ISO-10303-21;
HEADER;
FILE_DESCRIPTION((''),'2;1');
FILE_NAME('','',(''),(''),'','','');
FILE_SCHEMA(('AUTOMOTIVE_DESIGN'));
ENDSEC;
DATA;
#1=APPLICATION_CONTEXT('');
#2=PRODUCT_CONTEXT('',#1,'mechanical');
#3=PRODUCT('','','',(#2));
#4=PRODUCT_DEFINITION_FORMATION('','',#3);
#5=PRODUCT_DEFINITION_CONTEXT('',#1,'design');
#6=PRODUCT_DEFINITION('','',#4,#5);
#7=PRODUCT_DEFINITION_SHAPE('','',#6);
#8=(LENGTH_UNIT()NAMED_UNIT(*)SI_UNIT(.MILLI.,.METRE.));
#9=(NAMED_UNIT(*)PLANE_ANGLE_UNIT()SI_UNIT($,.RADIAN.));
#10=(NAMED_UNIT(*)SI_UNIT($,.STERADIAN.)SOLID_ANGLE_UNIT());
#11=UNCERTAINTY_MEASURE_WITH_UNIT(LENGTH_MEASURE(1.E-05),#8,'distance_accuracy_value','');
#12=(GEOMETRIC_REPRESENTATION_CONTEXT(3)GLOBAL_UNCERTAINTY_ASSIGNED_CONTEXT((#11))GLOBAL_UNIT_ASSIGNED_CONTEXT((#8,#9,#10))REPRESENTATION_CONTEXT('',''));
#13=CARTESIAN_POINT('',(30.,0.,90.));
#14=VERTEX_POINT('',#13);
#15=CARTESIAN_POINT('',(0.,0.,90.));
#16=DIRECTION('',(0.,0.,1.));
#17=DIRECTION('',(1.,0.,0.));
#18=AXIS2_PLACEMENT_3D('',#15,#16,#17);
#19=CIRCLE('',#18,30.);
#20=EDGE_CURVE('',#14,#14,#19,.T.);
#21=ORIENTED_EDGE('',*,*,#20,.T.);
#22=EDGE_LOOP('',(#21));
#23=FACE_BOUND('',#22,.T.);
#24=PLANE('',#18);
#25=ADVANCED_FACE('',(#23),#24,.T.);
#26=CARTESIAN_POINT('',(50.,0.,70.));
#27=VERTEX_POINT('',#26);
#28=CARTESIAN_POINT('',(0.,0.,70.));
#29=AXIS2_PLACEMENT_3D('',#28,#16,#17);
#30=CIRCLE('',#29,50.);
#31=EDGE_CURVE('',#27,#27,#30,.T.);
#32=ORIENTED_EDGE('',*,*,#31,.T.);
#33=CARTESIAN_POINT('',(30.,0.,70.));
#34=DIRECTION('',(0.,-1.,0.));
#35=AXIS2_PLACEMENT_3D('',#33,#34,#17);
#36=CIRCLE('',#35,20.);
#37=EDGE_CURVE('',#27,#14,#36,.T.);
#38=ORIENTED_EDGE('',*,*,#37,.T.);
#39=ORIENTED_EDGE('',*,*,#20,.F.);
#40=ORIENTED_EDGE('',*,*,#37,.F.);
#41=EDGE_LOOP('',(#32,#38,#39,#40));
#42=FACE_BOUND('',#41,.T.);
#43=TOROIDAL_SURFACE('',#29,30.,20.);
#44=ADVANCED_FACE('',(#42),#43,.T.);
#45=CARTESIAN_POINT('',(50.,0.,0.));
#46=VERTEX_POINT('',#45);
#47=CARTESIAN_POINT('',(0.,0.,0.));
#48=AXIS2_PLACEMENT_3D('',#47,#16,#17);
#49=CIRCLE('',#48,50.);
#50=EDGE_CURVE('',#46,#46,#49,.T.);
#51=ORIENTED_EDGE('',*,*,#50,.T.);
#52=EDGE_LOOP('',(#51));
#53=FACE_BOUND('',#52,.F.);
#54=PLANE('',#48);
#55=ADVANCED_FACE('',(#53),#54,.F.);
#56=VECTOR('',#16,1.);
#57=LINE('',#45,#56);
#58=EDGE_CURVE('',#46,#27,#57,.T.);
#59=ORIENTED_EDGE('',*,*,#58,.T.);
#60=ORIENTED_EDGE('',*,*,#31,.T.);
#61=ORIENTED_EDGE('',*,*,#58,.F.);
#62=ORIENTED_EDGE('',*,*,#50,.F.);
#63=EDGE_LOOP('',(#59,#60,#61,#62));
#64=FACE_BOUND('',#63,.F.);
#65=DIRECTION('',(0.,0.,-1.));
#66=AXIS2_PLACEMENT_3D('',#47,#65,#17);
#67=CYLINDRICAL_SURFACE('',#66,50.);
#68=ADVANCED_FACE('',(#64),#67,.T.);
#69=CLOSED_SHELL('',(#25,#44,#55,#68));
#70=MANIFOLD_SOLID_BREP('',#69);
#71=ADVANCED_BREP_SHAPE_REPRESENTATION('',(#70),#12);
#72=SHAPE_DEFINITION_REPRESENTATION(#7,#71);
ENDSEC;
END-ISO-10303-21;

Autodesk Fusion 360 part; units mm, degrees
sketch "Sketch1" plane through (0, 0, 0) normal (0, 0, 1) x (1, 0, 0)
  circle A0 centre (0, 0) radius 50
  dimension "d1" = 100
extrude "Extrude1" add sketch "Sketch1" along normal blind 90
fillet "Fillet1" radius 20 1 edges at (-46.6164, -18.0808, 90)
